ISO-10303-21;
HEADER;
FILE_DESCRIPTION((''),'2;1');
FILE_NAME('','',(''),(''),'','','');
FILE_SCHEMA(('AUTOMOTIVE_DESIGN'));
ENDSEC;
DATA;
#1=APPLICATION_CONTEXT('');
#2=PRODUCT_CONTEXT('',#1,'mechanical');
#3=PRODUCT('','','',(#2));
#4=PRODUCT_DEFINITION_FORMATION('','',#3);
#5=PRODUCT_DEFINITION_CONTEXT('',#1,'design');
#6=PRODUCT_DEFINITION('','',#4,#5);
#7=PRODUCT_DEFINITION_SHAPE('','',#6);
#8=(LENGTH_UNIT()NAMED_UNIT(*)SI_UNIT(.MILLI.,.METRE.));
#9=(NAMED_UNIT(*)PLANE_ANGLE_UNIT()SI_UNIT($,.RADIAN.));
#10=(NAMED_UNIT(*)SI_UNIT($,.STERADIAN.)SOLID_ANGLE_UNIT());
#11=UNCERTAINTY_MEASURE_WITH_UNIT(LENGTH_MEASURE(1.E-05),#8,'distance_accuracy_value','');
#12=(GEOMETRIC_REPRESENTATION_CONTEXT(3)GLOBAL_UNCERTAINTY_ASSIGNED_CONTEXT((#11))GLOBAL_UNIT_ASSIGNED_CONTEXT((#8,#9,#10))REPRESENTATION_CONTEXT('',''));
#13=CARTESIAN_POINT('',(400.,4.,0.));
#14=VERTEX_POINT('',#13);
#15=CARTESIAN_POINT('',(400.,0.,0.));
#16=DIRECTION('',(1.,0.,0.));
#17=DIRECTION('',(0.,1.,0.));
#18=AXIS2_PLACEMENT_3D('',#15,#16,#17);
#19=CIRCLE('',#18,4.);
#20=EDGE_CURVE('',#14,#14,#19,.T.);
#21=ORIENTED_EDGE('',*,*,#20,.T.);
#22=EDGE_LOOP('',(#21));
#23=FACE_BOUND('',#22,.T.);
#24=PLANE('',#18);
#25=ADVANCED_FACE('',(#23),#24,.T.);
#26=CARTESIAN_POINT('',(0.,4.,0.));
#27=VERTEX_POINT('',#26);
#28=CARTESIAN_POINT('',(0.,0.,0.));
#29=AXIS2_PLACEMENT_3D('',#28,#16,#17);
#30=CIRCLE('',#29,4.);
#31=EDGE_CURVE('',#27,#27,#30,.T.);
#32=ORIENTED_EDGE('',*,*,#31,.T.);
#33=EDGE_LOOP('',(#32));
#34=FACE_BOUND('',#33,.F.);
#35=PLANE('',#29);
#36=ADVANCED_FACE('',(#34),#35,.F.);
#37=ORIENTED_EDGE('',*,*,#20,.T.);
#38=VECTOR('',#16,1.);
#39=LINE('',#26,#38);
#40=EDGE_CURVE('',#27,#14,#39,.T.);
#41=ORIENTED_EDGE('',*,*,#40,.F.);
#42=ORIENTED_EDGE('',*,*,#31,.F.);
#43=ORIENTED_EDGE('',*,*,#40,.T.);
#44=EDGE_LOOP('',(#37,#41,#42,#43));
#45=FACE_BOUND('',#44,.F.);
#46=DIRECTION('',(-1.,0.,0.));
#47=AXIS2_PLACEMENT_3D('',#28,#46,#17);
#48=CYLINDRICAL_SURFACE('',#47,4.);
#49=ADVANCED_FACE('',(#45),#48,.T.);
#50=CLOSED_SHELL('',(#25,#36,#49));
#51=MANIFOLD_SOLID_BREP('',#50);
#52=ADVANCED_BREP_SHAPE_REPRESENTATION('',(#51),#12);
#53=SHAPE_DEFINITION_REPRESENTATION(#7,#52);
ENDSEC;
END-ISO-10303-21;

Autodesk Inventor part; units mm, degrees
ref_plane "YZ Plane" through (0, 0, 0) normal (1, 0, 0) x (0, 1, 0)
ref_plane "XZ Plane" through (0, 0, 0) normal (0, 1, 0) x (-1, 0, 0)
ref_plane "XY Plane" through (0, 0, 0) normal (0, 0, 1) x (1, 0, 0)
sketch "Sketch1" plane through (0, 0, 0) normal (1, 0, 0) x (0, 1, 0)
  circle A0 centre (0, 0) radius 4
  dimension "d0" = 8
extrude "Extrusion1" add sketch "Sketch1" along normal blind 400
properties part number "carbonnFiber"
